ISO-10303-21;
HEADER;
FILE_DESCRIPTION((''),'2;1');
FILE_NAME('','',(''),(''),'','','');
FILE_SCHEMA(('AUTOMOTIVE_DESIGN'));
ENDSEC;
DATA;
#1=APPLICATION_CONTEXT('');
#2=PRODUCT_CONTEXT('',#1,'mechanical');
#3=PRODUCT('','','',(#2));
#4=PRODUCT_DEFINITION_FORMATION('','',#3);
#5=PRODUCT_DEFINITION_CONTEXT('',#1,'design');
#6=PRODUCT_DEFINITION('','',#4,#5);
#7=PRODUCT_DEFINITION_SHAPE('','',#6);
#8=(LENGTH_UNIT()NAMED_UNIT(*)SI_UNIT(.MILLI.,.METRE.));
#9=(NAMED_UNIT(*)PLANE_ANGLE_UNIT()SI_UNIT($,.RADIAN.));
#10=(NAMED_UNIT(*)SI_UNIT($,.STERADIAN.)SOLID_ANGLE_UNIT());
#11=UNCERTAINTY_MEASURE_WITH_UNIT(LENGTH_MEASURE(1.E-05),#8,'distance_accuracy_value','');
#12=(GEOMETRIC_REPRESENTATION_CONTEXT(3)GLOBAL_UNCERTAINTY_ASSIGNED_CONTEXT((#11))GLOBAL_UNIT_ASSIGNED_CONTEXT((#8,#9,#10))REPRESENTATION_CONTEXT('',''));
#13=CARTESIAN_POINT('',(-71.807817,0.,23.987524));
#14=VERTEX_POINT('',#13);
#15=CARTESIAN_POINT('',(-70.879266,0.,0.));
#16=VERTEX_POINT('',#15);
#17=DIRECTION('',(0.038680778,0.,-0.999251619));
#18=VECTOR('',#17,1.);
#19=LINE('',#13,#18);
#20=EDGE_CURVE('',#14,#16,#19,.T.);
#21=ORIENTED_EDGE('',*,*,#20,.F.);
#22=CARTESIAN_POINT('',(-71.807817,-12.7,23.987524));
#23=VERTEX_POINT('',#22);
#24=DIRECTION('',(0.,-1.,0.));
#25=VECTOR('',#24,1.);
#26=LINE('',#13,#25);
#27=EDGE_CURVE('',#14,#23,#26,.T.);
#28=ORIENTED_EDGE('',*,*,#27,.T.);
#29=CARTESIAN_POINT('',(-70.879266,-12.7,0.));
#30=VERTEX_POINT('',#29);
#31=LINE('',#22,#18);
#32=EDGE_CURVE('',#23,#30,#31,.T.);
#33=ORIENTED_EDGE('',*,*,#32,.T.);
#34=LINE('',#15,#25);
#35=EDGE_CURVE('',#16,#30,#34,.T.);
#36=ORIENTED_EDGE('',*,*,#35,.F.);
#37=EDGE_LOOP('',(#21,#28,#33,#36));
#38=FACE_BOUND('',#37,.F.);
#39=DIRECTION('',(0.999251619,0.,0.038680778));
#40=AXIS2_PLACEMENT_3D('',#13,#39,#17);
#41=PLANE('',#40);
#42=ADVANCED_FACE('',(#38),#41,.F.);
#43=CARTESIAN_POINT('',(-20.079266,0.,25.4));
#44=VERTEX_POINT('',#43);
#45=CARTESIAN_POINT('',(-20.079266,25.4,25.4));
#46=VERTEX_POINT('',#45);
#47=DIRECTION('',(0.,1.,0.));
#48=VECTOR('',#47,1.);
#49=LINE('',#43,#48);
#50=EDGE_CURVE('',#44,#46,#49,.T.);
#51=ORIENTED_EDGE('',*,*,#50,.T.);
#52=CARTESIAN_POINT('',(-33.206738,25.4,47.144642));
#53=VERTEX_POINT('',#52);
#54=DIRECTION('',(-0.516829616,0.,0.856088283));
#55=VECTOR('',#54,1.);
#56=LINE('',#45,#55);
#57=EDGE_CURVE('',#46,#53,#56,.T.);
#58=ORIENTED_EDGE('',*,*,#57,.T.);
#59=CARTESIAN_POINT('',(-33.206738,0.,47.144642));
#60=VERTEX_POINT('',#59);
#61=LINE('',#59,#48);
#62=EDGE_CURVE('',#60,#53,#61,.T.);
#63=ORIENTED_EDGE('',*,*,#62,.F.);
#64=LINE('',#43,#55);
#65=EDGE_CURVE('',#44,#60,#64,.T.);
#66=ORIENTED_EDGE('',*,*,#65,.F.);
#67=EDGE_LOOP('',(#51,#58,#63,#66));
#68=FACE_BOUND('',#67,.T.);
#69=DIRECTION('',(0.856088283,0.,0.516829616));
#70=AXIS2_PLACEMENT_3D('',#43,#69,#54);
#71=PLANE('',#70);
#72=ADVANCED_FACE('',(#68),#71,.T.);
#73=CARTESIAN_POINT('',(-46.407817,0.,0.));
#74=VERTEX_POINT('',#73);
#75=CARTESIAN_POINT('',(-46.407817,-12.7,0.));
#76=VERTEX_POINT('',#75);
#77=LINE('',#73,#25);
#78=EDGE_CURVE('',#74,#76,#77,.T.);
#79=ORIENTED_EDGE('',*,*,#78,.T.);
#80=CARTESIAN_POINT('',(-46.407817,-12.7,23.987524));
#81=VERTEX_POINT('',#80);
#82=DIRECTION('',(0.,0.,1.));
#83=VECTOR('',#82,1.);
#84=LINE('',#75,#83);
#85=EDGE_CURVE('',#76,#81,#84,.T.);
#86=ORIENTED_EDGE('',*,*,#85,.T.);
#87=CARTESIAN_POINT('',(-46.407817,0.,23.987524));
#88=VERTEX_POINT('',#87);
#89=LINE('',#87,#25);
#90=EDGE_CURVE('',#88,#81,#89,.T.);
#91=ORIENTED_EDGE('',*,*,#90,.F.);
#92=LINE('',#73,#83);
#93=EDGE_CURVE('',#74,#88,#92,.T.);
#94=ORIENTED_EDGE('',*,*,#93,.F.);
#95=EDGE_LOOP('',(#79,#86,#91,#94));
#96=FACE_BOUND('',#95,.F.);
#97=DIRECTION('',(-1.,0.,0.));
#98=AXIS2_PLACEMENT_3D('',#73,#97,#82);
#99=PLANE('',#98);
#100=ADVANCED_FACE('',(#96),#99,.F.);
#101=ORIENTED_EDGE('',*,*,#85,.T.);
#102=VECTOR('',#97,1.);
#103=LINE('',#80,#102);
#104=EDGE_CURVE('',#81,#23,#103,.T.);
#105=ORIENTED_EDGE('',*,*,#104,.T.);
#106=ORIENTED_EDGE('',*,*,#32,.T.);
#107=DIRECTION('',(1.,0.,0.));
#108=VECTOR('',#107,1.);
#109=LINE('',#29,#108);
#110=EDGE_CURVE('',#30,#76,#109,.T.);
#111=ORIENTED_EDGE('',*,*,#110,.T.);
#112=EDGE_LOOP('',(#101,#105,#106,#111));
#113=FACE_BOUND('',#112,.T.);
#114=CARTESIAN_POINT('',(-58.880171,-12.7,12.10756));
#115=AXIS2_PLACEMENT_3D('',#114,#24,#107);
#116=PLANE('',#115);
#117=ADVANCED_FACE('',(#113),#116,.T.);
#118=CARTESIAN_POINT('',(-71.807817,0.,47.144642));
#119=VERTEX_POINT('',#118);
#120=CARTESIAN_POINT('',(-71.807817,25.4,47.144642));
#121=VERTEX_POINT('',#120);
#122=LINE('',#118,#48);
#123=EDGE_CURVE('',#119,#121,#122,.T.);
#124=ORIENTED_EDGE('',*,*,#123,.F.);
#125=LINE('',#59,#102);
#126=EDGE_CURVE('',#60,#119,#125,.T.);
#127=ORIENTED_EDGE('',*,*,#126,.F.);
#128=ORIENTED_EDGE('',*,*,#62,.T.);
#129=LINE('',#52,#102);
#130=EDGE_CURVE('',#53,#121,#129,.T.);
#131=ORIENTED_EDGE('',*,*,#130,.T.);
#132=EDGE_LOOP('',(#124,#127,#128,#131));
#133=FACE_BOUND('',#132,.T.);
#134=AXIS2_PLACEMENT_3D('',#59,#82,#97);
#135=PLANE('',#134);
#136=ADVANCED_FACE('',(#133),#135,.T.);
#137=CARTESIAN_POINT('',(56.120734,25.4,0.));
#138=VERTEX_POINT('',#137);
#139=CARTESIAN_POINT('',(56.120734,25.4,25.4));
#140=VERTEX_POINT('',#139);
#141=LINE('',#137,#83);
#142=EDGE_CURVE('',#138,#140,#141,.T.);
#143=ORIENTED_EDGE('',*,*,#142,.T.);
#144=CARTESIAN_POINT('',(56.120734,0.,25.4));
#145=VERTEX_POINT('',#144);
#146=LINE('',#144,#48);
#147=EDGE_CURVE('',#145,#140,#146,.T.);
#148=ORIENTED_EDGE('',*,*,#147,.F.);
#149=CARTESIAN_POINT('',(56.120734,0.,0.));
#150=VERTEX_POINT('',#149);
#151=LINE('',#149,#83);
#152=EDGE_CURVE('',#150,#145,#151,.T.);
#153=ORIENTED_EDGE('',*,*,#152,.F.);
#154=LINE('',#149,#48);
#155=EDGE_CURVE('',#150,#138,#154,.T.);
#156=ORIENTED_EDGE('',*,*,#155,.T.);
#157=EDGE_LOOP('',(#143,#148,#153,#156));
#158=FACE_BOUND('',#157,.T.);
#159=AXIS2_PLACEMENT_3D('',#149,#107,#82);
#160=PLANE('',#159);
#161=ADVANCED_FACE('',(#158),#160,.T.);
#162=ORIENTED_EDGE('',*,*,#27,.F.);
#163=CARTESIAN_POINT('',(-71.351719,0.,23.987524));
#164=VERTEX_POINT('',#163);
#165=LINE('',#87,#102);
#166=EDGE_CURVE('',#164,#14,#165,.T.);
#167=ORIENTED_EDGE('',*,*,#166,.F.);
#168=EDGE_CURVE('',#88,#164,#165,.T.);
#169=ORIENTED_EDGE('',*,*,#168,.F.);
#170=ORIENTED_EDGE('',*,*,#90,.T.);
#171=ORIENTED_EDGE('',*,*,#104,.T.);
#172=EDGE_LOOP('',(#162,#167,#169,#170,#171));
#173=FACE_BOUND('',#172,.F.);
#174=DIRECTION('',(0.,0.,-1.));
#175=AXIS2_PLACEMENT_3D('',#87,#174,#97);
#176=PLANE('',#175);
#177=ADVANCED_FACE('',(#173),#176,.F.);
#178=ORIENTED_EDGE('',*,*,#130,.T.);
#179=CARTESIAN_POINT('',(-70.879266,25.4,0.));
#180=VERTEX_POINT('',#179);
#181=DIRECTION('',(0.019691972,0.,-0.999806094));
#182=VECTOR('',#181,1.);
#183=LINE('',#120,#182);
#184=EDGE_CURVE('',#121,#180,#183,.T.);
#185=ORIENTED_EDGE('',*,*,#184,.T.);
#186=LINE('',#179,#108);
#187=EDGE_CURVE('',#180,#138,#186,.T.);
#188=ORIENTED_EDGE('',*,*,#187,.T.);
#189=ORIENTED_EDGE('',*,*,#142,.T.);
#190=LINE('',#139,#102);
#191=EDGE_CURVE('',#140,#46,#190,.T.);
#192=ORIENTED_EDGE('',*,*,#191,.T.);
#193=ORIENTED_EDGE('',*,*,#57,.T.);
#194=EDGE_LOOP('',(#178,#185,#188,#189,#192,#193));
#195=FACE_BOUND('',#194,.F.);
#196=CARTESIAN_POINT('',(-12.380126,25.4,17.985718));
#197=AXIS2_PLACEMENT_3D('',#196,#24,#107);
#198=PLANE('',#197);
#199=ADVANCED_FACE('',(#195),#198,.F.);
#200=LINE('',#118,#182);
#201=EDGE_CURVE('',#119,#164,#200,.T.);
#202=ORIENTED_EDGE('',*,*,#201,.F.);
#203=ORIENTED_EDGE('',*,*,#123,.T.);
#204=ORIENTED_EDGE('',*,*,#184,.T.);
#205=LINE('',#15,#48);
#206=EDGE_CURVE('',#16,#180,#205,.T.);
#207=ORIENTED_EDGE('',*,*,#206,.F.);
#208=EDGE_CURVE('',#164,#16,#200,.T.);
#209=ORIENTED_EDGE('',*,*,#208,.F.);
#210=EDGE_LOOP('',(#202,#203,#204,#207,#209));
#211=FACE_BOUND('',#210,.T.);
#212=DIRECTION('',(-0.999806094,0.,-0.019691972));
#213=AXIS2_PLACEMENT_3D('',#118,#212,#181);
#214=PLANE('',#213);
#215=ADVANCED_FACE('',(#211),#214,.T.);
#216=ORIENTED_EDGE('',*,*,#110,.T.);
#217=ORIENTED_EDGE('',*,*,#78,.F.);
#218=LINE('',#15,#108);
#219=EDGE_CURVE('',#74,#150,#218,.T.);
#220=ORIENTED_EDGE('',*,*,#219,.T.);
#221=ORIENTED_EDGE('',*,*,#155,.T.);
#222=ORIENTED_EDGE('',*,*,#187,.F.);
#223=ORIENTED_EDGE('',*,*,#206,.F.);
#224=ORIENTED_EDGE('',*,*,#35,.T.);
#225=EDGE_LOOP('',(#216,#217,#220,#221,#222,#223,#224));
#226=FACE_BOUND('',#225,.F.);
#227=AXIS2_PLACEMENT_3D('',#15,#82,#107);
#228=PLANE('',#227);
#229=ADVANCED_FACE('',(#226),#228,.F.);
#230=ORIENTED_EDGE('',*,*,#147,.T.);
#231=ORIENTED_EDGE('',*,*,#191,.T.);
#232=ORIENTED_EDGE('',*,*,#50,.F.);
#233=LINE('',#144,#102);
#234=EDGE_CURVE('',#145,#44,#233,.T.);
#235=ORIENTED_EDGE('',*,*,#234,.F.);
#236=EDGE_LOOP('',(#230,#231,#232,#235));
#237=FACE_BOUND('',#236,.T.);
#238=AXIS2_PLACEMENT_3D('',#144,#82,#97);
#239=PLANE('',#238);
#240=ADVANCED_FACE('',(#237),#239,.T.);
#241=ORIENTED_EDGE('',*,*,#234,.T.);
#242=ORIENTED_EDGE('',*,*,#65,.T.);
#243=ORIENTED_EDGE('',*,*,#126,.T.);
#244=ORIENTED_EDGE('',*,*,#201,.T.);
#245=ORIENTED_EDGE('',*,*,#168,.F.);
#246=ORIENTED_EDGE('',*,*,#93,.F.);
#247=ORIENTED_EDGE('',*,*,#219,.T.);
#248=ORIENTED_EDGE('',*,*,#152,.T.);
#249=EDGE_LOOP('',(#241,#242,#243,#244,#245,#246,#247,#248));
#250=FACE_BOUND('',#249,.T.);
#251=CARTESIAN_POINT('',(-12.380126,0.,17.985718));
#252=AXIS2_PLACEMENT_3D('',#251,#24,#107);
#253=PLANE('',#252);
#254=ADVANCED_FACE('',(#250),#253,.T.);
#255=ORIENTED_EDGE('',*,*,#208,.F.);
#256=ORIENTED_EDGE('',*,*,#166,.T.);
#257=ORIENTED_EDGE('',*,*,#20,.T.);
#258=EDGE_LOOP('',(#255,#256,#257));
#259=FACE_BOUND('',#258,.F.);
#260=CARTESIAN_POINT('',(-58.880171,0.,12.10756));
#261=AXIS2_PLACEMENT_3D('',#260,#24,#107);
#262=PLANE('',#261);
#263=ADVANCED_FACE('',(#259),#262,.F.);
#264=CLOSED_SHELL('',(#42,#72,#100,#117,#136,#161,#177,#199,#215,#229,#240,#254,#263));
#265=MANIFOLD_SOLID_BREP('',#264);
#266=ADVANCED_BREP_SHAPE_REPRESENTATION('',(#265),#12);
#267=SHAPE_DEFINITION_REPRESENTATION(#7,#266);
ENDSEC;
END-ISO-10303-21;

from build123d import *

# Parameters (mm, degrees)
F1_DEPTH = 25.4
F3_DEPTH = 12.7


with BuildPart() as f1:
    # F0 (on Front) → F1 (new body)
    with BuildSketch(Plane.XZ):
        Polygon((-71.807817, 47.144642), (-70.879266, 0), (56.120734, 0), (56.120734, 25.4), (-20.079266, 25.4), (-33.206738, 47.144642), align=None)
    extrude(amount=-F1_DEPTH)

    # F2 (on Front) → F3 (join)
    with BuildSketch(Plane.XZ):
        Polygon((-46.407817, 23.987524), (-71.807817, 23.987524), (-70.879266, 0), (-46.407817, 0), align=None)
    extrude(amount=F3_DEPTH)


solid = f1.part
